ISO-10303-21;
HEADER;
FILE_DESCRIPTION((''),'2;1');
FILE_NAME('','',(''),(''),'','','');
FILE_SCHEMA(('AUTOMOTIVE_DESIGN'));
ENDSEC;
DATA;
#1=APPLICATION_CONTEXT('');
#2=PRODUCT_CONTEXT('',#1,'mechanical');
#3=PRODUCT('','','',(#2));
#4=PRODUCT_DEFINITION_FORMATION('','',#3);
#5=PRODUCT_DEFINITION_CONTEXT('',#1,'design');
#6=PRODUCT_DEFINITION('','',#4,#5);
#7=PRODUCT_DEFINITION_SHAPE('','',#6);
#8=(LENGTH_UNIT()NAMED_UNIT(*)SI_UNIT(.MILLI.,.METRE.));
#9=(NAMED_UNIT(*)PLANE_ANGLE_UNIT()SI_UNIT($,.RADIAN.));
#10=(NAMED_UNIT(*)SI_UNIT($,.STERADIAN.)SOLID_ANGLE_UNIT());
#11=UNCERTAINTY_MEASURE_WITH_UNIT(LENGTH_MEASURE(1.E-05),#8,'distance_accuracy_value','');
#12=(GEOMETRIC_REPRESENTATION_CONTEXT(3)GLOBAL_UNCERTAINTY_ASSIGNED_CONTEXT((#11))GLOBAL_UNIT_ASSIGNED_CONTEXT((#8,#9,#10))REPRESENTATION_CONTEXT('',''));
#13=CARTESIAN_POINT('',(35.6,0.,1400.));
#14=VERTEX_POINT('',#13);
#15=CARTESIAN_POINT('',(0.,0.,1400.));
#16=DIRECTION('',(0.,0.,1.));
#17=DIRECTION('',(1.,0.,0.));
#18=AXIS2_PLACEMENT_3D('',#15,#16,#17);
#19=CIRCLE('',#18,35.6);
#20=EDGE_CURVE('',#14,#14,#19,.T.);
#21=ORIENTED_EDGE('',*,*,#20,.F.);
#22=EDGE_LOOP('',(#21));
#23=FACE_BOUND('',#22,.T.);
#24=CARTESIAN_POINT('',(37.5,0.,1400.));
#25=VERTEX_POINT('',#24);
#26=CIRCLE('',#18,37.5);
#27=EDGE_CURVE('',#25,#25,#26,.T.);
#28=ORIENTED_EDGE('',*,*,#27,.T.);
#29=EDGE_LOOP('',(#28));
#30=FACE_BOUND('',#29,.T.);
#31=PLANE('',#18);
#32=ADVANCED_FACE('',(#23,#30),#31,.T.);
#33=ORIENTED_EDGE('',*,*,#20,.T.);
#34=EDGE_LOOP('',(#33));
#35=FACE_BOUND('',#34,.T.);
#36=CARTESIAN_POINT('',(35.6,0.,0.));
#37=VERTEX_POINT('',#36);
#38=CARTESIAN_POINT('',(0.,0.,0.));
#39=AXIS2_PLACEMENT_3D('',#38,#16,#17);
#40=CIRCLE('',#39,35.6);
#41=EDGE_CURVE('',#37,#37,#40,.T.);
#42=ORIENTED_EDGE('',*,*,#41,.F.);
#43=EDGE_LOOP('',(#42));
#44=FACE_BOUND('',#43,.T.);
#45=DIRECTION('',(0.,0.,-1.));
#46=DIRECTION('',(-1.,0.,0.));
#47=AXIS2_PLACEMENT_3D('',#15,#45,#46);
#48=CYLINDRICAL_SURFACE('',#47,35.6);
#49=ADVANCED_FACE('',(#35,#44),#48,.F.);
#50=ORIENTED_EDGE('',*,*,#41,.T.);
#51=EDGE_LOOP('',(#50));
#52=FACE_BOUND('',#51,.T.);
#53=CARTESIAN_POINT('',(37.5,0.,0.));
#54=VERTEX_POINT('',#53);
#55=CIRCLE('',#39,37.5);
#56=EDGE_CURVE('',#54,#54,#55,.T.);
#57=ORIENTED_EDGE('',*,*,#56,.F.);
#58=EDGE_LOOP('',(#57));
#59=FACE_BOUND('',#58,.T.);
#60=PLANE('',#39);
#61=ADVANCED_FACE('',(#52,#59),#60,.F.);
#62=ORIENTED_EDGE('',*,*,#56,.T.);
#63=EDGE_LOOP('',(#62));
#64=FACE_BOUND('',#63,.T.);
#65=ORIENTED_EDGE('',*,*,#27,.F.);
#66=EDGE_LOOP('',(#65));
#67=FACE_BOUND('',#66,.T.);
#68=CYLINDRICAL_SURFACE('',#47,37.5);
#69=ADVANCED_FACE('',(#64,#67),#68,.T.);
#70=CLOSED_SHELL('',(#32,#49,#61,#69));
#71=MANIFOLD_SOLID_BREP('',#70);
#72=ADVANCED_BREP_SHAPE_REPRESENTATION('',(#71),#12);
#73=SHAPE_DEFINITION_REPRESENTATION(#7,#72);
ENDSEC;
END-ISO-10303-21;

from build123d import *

# Parameters (mm, degrees)
SKIZZE1_R                       = 37.5
AUFSATZ_LINEAR_AUSTRAGEN2_DEPTH = 1400
WANDUNG2_T                      = -1.9


with BuildPart() as part:
    # Skizze1 → Aufsatz-Linear austragen2 (new body)
    with BuildSketch(Plane.XY):
        Circle(SKIZZE1_R)
    extrude(amount=AUFSATZ_LINEAR_AUSTRAGEN2_DEPTH)

    # Wandung2
    wandung2_openings = [part.faces().sort_by_distance(p)[0] for p in [
        (0, 0, 1400),
        (0, 0, 0),
    ]]
    offset(amount=WANDUNG2_T, openings=wandung2_openings, kind=Kind.INTERSECTION)


solid = part.part
